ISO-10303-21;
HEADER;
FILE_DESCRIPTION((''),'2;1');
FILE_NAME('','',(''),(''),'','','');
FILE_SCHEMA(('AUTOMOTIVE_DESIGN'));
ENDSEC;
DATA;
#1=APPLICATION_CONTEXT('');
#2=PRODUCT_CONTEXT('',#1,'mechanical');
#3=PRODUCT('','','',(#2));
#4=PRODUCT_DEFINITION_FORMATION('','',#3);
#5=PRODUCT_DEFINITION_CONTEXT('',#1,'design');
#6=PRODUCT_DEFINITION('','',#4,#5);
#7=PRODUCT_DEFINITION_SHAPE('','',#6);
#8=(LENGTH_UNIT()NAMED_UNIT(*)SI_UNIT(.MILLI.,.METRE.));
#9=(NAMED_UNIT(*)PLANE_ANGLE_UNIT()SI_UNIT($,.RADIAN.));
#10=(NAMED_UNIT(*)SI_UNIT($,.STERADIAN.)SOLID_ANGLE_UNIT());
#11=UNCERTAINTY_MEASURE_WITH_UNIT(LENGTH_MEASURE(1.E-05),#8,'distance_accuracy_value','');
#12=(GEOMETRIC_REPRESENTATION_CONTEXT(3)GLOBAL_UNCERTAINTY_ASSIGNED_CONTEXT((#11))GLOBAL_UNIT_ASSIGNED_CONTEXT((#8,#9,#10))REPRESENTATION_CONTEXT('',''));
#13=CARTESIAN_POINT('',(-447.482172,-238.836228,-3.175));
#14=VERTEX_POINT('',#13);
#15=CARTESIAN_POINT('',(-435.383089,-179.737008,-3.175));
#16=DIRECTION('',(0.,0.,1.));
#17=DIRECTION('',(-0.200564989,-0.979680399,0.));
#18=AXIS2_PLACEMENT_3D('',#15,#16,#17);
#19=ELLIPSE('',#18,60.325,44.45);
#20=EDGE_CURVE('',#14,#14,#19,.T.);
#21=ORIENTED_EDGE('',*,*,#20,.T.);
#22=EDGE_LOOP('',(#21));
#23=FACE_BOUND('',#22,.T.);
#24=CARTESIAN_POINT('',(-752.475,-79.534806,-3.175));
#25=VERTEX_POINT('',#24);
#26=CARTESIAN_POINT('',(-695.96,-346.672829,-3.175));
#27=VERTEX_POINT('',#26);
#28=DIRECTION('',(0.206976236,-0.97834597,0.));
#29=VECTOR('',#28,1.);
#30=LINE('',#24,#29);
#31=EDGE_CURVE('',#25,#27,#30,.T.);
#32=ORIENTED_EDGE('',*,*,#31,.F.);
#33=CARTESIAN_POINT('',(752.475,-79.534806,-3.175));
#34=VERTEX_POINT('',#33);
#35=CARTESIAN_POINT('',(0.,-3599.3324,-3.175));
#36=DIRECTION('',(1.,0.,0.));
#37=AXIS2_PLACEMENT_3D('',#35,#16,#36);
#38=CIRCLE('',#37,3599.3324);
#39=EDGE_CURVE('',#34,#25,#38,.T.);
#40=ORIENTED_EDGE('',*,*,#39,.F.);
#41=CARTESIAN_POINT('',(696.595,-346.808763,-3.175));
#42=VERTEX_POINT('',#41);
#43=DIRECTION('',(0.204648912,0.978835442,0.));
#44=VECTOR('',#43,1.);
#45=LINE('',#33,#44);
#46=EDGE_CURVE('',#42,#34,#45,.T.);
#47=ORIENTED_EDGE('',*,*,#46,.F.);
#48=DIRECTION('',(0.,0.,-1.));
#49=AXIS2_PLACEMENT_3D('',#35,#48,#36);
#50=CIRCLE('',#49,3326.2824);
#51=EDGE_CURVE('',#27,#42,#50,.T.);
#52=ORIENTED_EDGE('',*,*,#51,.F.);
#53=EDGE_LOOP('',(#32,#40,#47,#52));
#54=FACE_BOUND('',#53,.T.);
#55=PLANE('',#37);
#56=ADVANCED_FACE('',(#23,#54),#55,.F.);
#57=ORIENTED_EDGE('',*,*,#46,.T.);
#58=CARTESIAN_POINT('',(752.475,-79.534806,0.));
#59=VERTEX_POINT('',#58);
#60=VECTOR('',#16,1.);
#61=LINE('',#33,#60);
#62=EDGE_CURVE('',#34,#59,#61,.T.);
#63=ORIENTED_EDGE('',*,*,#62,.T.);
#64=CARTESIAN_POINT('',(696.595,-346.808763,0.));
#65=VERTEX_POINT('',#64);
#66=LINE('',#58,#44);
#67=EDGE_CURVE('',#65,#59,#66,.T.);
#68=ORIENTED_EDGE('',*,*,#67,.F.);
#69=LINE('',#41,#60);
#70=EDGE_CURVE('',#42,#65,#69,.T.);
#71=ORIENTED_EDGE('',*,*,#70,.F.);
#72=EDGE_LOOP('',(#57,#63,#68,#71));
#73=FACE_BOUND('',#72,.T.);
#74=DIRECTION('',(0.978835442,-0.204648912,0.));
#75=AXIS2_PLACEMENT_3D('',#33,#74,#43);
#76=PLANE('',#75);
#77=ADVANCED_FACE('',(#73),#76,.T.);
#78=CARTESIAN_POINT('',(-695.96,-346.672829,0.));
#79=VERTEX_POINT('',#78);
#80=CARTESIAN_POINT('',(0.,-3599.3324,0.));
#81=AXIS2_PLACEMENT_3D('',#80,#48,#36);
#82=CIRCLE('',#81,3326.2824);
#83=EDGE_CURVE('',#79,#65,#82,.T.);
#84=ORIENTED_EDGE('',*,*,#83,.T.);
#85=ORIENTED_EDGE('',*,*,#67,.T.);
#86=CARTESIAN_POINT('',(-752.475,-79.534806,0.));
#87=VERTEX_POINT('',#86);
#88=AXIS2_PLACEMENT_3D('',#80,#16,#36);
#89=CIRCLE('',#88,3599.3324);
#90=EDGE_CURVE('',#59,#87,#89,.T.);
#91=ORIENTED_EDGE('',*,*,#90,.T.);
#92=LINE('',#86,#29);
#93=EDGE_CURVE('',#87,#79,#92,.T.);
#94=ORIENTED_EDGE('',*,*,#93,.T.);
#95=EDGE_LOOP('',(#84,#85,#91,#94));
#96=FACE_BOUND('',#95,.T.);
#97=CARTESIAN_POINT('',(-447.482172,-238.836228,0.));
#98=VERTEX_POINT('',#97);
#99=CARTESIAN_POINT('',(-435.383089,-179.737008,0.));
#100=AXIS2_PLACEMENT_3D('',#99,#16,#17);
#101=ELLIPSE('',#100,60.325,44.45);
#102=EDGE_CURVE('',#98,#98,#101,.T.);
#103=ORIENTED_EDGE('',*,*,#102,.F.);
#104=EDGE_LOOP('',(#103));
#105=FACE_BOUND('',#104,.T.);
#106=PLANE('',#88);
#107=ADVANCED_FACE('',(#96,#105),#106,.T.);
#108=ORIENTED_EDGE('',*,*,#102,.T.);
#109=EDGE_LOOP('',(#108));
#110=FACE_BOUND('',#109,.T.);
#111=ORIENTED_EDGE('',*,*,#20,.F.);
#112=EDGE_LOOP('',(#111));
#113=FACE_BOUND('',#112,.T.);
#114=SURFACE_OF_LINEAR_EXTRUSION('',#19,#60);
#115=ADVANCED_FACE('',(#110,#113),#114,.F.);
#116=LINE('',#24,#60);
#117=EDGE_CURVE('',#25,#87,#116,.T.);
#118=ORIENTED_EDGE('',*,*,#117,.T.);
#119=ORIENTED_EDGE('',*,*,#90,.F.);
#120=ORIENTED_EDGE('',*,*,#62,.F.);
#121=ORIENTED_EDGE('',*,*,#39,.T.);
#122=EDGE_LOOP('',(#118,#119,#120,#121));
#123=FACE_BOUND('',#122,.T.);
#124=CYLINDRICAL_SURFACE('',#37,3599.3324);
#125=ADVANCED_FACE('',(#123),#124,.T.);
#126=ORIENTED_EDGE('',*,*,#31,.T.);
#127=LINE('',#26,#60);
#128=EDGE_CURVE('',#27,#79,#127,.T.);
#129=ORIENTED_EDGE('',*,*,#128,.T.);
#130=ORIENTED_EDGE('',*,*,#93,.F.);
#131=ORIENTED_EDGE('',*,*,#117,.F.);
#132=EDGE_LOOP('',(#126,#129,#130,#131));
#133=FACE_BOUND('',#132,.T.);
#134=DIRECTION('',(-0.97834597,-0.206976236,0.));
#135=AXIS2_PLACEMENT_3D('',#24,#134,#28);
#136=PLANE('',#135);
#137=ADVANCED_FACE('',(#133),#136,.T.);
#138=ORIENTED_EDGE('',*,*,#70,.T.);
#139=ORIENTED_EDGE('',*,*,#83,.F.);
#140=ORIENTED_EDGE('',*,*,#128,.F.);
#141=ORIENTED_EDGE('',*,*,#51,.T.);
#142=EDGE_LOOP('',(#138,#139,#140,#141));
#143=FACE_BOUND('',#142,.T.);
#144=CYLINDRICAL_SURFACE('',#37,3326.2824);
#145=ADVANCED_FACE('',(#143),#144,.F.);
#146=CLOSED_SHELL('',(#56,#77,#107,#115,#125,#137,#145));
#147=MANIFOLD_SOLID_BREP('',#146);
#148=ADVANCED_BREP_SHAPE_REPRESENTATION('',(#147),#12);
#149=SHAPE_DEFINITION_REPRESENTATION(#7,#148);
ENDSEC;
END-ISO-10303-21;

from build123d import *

# Parameters (mm, degrees)
SKETCH1_RX         = 60.325
SKETCH1_RY         = 44.45
BASE_EXTRUDE_DEPTH = 3.175


with BuildPart() as part:
    # Sketch1 → Base-Extrude (new body)
    with BuildSketch(Plane.XY):
        with BuildLine():
            Line((-752.475, -79.534806378), (-695.96, -346.672829287))
            ThreePointArc((-695.96, -346.672829287), (0.324693286, -273.050015847), (696.595, -346.808762803))
            Line((696.595, -346.808762803), (752.475, -79.534806378))
            ThreePointArc((752.475, -79.534806378), (0, 0), (-752.475, -79.534806378))
        make_face()
        with Locations(Location((-435.383088957, -179.737008178), (0, 0, -101.57))):
            Ellipse(SKETCH1_RX, SKETCH1_RY, mode=Mode.SUBTRACT)
    extrude(amount=-BASE_EXTRUDE_DEPTH)


solid = part.part
